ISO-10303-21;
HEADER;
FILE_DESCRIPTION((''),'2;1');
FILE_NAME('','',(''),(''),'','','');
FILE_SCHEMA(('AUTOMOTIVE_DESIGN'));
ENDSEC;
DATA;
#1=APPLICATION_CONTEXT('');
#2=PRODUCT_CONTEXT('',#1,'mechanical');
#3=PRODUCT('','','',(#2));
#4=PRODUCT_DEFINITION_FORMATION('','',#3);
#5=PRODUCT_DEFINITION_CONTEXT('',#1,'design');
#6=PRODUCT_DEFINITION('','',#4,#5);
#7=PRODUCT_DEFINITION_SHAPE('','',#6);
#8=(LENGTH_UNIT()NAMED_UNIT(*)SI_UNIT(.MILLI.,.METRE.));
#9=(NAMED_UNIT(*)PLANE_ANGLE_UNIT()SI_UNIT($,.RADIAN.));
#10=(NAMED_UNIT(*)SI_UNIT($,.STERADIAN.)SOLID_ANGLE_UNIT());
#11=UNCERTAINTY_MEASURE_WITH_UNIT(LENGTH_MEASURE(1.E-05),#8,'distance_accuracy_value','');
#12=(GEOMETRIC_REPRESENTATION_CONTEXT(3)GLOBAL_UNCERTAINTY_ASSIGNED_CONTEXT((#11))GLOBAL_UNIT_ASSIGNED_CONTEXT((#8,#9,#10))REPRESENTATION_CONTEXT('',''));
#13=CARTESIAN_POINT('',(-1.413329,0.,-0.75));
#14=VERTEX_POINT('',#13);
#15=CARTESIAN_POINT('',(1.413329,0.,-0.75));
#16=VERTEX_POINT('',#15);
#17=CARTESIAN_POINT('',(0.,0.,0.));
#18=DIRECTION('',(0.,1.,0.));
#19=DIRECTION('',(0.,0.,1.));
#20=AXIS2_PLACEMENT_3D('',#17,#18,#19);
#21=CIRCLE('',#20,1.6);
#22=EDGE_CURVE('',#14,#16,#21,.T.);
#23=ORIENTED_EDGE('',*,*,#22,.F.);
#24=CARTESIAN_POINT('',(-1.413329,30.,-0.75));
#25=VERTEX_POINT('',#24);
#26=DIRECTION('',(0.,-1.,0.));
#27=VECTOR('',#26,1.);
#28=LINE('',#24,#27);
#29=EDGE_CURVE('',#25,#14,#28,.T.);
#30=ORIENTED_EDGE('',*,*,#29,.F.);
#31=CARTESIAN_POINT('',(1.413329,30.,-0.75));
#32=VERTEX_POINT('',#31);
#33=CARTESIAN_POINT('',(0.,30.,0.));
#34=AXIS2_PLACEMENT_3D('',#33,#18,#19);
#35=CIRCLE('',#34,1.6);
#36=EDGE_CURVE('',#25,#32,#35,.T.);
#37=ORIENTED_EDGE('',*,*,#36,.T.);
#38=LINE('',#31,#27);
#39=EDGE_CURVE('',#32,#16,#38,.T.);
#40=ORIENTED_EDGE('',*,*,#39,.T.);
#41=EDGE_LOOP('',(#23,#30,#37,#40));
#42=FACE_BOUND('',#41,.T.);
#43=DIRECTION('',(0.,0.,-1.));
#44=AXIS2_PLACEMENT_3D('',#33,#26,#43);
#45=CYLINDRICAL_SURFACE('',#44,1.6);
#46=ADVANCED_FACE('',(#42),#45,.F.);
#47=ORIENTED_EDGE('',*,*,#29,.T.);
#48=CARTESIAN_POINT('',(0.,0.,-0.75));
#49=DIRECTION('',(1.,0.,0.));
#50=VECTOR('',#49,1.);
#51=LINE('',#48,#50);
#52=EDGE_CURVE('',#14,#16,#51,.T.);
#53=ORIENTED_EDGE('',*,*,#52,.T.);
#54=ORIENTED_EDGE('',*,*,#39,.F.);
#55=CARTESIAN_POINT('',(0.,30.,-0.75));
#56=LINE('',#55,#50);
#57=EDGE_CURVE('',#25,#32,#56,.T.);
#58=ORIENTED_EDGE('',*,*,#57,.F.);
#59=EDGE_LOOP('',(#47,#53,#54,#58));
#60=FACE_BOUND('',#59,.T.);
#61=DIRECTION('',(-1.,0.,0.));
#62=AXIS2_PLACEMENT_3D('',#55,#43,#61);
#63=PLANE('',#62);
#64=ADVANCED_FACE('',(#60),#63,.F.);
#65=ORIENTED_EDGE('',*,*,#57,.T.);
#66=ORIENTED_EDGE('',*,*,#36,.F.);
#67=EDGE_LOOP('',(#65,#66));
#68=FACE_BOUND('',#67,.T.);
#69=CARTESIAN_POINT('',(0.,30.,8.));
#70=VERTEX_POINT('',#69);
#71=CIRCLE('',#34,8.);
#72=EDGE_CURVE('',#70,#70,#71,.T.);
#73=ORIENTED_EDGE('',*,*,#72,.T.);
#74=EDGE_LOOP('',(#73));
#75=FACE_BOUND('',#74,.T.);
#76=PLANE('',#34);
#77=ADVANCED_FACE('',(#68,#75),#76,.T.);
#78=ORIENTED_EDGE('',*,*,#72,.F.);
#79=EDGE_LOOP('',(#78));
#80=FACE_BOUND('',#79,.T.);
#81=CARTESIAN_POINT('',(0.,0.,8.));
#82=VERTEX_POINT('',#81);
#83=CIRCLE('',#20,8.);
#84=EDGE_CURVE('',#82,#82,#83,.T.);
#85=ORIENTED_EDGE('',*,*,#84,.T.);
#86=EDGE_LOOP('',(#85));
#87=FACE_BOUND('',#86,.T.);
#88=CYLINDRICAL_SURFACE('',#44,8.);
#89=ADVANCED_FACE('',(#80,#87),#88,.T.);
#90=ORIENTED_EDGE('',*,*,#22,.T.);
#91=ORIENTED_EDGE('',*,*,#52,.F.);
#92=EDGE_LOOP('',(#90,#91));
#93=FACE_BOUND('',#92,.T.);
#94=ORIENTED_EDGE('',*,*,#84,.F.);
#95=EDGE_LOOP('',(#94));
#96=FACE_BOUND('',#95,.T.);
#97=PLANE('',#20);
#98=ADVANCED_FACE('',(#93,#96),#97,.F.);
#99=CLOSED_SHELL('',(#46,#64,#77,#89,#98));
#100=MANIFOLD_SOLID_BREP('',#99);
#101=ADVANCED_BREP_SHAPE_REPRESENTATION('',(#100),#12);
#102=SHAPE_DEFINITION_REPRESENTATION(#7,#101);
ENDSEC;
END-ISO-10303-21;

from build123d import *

# Parameters (mm, degrees)
SKETCH1_R           = 8
BOSS_EXTRUDE1_DEPTH = 30


with BuildPart() as part:
    # Sketch1 → Boss-Extrude1 (new body)
    with BuildSketch(Plane(origin=(0, 0, 0), x_dir=(1, 0, 0), z_dir=(0, 1, 0))):
        with Locations(Location((0, 0, 0), (0, 0, 270))):
            Circle(SKETCH1_R)
        with BuildLine():
            Line((-1.413329403, 0.75), (1.413329403, 0.75))
            ThreePointArc((1.413329403, 0.75), (0, -1.6), (-1.413329403, 0.75))
        make_face(mode=Mode.SUBTRACT)
    extrude(amount=BOSS_EXTRUDE1_DEPTH)


solid = part.part
